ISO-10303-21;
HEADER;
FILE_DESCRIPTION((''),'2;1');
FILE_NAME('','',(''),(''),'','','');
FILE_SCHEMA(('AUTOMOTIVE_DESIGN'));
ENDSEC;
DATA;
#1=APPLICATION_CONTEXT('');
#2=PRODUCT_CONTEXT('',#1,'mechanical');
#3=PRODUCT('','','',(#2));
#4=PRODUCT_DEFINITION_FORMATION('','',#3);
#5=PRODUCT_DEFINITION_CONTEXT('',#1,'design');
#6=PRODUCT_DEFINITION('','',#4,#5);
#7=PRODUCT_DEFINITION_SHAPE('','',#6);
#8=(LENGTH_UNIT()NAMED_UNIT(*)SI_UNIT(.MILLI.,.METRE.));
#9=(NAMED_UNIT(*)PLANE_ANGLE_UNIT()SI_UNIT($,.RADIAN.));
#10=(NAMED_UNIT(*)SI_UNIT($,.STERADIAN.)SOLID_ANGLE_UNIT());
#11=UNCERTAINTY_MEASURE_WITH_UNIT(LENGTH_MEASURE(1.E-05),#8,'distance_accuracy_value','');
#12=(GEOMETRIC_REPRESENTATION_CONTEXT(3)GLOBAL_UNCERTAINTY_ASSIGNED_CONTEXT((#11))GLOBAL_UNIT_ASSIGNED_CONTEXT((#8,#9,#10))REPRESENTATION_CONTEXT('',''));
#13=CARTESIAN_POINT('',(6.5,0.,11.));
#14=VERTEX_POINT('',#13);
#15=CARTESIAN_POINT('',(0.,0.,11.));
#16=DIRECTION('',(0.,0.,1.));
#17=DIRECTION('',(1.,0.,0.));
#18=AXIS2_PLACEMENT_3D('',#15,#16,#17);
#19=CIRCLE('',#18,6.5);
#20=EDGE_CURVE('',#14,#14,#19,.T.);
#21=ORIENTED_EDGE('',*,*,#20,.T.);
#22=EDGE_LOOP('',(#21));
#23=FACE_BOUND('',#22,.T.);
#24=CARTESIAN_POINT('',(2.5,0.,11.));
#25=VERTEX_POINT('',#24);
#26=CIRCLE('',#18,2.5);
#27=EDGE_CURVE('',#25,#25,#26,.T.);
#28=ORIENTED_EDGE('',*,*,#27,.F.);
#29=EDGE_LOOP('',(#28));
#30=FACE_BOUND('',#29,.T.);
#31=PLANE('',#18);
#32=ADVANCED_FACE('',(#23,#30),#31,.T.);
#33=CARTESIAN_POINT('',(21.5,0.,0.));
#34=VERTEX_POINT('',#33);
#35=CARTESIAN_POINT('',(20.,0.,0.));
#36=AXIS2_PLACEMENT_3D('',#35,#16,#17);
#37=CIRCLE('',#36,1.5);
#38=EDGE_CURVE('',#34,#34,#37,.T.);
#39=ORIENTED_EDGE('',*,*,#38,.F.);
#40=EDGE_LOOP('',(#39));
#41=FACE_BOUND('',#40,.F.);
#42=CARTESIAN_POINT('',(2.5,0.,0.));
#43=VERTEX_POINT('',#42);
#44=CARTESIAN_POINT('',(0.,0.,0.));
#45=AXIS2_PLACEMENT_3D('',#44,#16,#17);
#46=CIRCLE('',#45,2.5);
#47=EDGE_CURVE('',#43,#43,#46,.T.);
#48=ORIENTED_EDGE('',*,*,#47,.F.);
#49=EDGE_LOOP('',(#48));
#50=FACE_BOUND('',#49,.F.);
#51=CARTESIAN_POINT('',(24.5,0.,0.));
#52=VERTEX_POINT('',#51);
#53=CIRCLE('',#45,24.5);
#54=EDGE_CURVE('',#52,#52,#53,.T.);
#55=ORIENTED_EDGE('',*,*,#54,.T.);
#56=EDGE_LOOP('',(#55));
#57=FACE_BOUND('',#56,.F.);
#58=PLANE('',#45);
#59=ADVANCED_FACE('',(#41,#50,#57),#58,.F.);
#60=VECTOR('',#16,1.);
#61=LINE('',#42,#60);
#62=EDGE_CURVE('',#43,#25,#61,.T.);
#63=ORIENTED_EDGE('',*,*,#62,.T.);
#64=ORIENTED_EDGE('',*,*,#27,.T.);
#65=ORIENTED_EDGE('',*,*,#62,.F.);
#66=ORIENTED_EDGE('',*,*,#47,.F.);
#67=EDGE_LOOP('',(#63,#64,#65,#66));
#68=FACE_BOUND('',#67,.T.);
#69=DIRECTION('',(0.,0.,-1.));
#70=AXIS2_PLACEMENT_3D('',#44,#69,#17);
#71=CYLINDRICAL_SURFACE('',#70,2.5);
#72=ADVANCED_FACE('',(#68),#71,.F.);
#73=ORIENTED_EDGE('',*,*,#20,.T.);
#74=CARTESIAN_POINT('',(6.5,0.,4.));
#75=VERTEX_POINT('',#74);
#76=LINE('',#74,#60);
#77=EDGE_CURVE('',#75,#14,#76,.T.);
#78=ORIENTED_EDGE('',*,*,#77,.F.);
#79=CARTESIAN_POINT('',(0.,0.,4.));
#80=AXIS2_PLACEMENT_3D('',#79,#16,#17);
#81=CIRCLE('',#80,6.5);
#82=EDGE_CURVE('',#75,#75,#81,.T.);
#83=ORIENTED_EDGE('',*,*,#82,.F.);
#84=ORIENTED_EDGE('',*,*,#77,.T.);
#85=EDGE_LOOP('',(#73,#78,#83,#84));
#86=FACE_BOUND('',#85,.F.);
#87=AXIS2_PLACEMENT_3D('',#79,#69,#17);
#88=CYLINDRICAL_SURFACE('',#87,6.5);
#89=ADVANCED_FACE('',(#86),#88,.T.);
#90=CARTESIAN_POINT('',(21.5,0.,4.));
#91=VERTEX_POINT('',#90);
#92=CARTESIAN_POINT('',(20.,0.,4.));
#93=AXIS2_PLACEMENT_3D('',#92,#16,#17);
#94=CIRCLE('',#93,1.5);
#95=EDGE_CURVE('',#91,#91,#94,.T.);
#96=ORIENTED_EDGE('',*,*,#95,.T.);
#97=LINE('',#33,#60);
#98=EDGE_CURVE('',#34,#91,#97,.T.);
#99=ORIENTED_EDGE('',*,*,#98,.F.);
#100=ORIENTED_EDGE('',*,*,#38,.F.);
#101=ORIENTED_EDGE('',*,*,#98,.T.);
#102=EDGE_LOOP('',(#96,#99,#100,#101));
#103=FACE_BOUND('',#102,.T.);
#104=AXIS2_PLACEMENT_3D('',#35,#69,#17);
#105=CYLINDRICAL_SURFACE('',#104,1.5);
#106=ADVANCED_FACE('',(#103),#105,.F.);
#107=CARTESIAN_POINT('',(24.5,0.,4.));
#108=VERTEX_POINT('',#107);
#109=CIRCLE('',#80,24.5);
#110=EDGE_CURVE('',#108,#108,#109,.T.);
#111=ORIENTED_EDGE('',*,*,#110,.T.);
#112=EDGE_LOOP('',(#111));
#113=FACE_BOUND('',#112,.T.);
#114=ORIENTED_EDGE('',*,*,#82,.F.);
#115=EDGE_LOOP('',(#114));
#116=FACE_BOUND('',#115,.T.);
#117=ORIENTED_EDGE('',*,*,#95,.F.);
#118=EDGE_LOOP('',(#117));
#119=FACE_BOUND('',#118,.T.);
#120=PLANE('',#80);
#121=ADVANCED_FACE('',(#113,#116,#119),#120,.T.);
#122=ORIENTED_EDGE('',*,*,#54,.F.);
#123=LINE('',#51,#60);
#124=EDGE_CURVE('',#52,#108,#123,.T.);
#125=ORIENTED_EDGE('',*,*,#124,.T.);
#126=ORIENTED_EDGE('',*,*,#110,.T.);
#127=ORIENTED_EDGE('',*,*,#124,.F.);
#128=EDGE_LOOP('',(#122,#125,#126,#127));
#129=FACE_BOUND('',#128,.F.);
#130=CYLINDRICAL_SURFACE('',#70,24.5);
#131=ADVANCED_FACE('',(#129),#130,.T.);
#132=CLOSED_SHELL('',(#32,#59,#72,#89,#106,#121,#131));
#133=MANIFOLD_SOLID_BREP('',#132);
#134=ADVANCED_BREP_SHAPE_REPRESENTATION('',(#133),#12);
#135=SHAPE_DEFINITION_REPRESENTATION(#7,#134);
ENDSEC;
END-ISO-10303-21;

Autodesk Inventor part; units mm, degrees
ref_plane "YZ Plane" through (0, 0, 0) normal (1, 0, 0) x (0, 1, 0)
ref_plane "XZ Plane" through (0, 0, 0) normal (0, 1, 0) x (-1, 0, 0)
ref_plane "XY Plane" through (0, 0, 0) normal (0, 0, 1) x (1, 0, 0)
sketch "Sketch1" plane through (0, 0, 0) normal (0, 0, 1) x (1, 0, 0)
  circle A0 centre (0, 0) radius 24.5
  circle A1 centre (0, 0) radius 2.5
  circle A2 centre (20, 0) radius 1.5
  dimension "d0" = 49
  dimension "d1" = 5
  dimension "d2" = 3
  dimension "d3" = 20
extrude "Extrusion1" add sketch "Sketch1" along normal blind 4
sketch "Sketch2" plane through (0, 0, 4) normal (0, 0, 1) x (1, 0, 0)
  circle A0 centre (0, 0) radius 6.5
  circle A1 centre (0, 0) radius 2.5 projected
  dimension "d6" = 13
extrude "Extrusion2" add sketch "Sketch2" along normal blind 7
properties part number "gear"
